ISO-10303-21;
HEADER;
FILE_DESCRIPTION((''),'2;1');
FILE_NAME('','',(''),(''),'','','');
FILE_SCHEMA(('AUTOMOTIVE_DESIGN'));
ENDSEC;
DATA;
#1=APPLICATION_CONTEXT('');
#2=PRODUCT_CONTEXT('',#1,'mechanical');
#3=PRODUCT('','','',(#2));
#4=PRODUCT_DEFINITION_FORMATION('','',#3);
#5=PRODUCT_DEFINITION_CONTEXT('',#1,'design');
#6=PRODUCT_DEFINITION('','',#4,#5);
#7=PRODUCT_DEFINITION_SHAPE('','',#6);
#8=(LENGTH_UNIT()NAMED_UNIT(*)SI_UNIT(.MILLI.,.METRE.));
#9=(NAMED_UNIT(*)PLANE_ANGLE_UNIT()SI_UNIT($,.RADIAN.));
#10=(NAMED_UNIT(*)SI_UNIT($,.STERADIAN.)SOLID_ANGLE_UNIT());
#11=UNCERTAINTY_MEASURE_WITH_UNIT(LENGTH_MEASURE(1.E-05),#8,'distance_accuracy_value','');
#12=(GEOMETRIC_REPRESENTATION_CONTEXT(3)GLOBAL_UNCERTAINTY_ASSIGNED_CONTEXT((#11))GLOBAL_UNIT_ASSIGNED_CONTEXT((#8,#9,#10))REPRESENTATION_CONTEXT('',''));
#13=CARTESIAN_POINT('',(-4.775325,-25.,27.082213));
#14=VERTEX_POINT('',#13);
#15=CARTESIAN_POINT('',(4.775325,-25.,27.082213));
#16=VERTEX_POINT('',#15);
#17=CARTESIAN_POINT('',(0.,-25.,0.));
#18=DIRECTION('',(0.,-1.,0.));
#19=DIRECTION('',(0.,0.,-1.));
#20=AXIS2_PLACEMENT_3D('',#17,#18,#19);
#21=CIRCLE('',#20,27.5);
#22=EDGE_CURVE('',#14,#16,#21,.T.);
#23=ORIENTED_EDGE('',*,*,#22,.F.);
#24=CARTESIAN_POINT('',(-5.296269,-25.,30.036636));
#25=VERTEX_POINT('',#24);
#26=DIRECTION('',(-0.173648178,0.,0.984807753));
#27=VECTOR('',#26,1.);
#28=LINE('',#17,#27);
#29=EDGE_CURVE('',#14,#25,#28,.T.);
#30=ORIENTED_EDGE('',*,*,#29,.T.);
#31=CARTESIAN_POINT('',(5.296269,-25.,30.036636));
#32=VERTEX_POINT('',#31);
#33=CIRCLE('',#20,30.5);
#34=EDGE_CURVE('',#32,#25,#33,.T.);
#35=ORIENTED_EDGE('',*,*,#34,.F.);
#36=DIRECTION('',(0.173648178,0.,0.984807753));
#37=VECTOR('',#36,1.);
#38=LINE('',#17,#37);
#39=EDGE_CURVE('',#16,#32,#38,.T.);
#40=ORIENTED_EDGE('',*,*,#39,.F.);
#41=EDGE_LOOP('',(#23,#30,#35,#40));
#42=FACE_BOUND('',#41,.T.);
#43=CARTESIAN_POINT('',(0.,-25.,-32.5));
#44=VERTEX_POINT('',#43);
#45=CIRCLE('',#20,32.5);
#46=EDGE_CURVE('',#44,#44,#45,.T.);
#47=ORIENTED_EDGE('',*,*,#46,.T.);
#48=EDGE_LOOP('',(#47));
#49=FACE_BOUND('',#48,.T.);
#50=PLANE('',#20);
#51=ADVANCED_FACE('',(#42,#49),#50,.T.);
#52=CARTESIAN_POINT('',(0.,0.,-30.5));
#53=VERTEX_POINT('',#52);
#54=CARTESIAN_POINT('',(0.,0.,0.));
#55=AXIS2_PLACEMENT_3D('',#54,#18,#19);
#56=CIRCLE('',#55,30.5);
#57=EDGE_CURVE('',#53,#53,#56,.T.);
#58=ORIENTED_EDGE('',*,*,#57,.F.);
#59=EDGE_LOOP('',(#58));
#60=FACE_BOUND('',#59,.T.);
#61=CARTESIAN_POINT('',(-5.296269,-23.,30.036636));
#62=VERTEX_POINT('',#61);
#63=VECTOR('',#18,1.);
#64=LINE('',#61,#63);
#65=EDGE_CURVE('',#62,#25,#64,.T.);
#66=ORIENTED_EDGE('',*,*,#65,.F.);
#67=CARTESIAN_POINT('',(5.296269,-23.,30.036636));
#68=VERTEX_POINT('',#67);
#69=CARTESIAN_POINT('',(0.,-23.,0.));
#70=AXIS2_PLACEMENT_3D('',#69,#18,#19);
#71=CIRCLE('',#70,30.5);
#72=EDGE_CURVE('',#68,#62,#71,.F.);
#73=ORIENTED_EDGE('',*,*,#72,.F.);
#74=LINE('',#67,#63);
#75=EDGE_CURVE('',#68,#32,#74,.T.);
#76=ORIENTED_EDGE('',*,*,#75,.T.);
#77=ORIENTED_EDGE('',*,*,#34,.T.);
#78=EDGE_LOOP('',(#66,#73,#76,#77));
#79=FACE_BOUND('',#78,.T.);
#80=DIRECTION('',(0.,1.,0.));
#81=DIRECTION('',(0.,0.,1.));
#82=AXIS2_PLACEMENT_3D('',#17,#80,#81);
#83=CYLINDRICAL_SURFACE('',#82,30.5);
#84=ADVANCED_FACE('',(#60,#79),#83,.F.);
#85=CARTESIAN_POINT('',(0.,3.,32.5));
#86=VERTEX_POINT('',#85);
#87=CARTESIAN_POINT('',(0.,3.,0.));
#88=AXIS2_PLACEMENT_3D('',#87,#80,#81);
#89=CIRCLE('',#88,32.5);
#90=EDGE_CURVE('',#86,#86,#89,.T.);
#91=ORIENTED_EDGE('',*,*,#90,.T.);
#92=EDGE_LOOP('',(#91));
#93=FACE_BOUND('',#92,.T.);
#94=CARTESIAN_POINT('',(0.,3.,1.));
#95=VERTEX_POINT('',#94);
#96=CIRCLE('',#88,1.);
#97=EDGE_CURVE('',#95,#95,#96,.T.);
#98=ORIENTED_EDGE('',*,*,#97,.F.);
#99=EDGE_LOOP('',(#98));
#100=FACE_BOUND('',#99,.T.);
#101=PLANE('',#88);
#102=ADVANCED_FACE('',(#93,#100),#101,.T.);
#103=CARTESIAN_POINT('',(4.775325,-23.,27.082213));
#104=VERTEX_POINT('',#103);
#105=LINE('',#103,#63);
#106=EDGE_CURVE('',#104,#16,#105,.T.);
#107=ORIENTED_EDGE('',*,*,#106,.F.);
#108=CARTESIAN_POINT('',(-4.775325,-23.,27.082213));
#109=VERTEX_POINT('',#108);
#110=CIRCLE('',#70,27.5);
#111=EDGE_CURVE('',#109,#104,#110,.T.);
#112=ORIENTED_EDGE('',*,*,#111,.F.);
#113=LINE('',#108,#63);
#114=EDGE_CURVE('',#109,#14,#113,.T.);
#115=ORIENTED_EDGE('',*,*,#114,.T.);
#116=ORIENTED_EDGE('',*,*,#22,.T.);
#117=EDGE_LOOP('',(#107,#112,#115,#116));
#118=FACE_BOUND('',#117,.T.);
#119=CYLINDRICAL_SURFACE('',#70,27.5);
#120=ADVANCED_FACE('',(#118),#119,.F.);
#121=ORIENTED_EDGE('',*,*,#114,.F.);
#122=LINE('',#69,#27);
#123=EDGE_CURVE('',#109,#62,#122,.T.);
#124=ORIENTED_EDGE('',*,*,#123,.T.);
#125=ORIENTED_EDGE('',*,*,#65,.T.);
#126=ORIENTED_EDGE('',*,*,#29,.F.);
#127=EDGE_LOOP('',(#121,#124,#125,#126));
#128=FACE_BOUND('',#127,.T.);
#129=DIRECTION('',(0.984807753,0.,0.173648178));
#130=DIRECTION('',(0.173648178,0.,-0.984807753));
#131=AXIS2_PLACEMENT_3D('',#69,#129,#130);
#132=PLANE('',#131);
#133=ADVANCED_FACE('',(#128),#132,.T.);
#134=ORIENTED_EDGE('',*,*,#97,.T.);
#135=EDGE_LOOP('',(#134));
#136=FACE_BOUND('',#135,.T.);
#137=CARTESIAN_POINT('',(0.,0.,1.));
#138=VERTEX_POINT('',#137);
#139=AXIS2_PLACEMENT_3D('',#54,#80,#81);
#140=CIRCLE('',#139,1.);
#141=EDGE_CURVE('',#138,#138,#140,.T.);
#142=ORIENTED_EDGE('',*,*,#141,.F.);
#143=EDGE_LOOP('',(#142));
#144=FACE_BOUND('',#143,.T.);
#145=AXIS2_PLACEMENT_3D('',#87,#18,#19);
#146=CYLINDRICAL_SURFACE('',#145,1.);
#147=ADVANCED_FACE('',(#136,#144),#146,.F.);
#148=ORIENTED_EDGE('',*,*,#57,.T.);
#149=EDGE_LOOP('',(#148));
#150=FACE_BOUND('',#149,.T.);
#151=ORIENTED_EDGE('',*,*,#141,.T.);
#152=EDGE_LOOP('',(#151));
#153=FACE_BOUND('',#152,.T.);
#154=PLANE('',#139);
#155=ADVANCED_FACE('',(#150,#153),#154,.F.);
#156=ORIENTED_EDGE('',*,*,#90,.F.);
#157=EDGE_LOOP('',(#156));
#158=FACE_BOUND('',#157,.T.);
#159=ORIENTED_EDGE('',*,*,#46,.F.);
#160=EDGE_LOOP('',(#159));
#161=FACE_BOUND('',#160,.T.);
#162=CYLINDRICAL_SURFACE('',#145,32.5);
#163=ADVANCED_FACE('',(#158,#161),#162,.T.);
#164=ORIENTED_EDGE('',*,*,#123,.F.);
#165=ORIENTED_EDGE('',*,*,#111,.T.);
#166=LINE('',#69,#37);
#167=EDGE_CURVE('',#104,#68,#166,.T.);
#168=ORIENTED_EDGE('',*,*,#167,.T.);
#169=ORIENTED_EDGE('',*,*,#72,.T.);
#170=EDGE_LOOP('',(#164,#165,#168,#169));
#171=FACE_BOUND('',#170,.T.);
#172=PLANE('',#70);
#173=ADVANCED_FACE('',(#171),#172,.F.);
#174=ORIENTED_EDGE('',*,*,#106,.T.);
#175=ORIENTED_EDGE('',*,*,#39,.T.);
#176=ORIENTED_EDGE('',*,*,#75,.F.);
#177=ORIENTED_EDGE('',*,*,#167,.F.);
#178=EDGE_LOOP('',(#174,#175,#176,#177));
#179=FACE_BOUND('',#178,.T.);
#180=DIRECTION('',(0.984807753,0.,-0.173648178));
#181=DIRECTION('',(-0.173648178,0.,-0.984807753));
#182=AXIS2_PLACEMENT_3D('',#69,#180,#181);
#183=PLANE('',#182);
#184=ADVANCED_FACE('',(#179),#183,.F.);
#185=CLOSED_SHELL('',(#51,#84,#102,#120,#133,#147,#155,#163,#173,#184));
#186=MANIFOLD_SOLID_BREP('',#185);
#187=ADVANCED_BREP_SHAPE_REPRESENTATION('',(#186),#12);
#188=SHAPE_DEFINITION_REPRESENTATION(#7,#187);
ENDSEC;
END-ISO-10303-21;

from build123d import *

# Parameters (mm, degrees)
SKETCH1_R           = 32.5
SKETCH1_R_2         = 1
BOSS_EXTRUDE1_DEPTH = 3
BOSS_EXTRUDE2_START = 25
SKETCH3_R           = 32.5
SKETCH3_R_2         = 30.5
BOSS_EXTRUDE2_DEPTH = 25
BOSS_EXTRUDE3_DEPTH = 2


with BuildPart() as part:
    # Sketch1 → Boss-Extrude1 (new body)
    with BuildSketch(Plane(origin=(0, 0, 0), x_dir=(1, 0, 0), z_dir=(0, 1, 0))):
        with Locations(Location((0, 0, 0), (0, 0, 270))):
            Circle(SKETCH1_R)
        with Locations(Location((0, 0, 0), (0, 0, 270))):
            Circle(SKETCH1_R_2, mode=Mode.SUBTRACT)
    extrude(amount=BOSS_EXTRUDE1_DEPTH)

    # Sketch3 → Boss-Extrude2 (add)
    with BuildSketch(Plane.XZ.offset(BOSS_EXTRUDE2_START)):
        with Locations(Location((0, 0, 0), (0, 0, 270))):
            Circle(SKETCH3_R)
        with Locations(Location((0, 0, 0), (0, 0, 270))):
            Circle(SKETCH3_R_2, mode=Mode.SUBTRACT)
    extrude(amount=-BOSS_EXTRUDE2_DEPTH)

    # Sketch7 → Boss-Extrude3 (add)
    with BuildSketch(Plane.XZ.offset(25)):
        with BuildLine():
            ThreePointArc((4.775324886, 27.082213208), (0, -27.5), (-4.775324886, 27.082213208))
            Line((-4.775324886, 27.082213208), (-5.296269419, 30.036636467))
            ThreePointArc((-5.296269419, 30.036636467), (-19.605022095, -23.364355515), (30.5, 0))
            ThreePointArc((30.5, 0), (23.364355515, 19.605022095), (5.296269419, 30.036636467))
            Line((5.296269419, 30.036636467), (4.775324886, 27.082213208))
        make_face()
    extrude(amount=-BOSS_EXTRUDE3_DEPTH)


solid = part.part
